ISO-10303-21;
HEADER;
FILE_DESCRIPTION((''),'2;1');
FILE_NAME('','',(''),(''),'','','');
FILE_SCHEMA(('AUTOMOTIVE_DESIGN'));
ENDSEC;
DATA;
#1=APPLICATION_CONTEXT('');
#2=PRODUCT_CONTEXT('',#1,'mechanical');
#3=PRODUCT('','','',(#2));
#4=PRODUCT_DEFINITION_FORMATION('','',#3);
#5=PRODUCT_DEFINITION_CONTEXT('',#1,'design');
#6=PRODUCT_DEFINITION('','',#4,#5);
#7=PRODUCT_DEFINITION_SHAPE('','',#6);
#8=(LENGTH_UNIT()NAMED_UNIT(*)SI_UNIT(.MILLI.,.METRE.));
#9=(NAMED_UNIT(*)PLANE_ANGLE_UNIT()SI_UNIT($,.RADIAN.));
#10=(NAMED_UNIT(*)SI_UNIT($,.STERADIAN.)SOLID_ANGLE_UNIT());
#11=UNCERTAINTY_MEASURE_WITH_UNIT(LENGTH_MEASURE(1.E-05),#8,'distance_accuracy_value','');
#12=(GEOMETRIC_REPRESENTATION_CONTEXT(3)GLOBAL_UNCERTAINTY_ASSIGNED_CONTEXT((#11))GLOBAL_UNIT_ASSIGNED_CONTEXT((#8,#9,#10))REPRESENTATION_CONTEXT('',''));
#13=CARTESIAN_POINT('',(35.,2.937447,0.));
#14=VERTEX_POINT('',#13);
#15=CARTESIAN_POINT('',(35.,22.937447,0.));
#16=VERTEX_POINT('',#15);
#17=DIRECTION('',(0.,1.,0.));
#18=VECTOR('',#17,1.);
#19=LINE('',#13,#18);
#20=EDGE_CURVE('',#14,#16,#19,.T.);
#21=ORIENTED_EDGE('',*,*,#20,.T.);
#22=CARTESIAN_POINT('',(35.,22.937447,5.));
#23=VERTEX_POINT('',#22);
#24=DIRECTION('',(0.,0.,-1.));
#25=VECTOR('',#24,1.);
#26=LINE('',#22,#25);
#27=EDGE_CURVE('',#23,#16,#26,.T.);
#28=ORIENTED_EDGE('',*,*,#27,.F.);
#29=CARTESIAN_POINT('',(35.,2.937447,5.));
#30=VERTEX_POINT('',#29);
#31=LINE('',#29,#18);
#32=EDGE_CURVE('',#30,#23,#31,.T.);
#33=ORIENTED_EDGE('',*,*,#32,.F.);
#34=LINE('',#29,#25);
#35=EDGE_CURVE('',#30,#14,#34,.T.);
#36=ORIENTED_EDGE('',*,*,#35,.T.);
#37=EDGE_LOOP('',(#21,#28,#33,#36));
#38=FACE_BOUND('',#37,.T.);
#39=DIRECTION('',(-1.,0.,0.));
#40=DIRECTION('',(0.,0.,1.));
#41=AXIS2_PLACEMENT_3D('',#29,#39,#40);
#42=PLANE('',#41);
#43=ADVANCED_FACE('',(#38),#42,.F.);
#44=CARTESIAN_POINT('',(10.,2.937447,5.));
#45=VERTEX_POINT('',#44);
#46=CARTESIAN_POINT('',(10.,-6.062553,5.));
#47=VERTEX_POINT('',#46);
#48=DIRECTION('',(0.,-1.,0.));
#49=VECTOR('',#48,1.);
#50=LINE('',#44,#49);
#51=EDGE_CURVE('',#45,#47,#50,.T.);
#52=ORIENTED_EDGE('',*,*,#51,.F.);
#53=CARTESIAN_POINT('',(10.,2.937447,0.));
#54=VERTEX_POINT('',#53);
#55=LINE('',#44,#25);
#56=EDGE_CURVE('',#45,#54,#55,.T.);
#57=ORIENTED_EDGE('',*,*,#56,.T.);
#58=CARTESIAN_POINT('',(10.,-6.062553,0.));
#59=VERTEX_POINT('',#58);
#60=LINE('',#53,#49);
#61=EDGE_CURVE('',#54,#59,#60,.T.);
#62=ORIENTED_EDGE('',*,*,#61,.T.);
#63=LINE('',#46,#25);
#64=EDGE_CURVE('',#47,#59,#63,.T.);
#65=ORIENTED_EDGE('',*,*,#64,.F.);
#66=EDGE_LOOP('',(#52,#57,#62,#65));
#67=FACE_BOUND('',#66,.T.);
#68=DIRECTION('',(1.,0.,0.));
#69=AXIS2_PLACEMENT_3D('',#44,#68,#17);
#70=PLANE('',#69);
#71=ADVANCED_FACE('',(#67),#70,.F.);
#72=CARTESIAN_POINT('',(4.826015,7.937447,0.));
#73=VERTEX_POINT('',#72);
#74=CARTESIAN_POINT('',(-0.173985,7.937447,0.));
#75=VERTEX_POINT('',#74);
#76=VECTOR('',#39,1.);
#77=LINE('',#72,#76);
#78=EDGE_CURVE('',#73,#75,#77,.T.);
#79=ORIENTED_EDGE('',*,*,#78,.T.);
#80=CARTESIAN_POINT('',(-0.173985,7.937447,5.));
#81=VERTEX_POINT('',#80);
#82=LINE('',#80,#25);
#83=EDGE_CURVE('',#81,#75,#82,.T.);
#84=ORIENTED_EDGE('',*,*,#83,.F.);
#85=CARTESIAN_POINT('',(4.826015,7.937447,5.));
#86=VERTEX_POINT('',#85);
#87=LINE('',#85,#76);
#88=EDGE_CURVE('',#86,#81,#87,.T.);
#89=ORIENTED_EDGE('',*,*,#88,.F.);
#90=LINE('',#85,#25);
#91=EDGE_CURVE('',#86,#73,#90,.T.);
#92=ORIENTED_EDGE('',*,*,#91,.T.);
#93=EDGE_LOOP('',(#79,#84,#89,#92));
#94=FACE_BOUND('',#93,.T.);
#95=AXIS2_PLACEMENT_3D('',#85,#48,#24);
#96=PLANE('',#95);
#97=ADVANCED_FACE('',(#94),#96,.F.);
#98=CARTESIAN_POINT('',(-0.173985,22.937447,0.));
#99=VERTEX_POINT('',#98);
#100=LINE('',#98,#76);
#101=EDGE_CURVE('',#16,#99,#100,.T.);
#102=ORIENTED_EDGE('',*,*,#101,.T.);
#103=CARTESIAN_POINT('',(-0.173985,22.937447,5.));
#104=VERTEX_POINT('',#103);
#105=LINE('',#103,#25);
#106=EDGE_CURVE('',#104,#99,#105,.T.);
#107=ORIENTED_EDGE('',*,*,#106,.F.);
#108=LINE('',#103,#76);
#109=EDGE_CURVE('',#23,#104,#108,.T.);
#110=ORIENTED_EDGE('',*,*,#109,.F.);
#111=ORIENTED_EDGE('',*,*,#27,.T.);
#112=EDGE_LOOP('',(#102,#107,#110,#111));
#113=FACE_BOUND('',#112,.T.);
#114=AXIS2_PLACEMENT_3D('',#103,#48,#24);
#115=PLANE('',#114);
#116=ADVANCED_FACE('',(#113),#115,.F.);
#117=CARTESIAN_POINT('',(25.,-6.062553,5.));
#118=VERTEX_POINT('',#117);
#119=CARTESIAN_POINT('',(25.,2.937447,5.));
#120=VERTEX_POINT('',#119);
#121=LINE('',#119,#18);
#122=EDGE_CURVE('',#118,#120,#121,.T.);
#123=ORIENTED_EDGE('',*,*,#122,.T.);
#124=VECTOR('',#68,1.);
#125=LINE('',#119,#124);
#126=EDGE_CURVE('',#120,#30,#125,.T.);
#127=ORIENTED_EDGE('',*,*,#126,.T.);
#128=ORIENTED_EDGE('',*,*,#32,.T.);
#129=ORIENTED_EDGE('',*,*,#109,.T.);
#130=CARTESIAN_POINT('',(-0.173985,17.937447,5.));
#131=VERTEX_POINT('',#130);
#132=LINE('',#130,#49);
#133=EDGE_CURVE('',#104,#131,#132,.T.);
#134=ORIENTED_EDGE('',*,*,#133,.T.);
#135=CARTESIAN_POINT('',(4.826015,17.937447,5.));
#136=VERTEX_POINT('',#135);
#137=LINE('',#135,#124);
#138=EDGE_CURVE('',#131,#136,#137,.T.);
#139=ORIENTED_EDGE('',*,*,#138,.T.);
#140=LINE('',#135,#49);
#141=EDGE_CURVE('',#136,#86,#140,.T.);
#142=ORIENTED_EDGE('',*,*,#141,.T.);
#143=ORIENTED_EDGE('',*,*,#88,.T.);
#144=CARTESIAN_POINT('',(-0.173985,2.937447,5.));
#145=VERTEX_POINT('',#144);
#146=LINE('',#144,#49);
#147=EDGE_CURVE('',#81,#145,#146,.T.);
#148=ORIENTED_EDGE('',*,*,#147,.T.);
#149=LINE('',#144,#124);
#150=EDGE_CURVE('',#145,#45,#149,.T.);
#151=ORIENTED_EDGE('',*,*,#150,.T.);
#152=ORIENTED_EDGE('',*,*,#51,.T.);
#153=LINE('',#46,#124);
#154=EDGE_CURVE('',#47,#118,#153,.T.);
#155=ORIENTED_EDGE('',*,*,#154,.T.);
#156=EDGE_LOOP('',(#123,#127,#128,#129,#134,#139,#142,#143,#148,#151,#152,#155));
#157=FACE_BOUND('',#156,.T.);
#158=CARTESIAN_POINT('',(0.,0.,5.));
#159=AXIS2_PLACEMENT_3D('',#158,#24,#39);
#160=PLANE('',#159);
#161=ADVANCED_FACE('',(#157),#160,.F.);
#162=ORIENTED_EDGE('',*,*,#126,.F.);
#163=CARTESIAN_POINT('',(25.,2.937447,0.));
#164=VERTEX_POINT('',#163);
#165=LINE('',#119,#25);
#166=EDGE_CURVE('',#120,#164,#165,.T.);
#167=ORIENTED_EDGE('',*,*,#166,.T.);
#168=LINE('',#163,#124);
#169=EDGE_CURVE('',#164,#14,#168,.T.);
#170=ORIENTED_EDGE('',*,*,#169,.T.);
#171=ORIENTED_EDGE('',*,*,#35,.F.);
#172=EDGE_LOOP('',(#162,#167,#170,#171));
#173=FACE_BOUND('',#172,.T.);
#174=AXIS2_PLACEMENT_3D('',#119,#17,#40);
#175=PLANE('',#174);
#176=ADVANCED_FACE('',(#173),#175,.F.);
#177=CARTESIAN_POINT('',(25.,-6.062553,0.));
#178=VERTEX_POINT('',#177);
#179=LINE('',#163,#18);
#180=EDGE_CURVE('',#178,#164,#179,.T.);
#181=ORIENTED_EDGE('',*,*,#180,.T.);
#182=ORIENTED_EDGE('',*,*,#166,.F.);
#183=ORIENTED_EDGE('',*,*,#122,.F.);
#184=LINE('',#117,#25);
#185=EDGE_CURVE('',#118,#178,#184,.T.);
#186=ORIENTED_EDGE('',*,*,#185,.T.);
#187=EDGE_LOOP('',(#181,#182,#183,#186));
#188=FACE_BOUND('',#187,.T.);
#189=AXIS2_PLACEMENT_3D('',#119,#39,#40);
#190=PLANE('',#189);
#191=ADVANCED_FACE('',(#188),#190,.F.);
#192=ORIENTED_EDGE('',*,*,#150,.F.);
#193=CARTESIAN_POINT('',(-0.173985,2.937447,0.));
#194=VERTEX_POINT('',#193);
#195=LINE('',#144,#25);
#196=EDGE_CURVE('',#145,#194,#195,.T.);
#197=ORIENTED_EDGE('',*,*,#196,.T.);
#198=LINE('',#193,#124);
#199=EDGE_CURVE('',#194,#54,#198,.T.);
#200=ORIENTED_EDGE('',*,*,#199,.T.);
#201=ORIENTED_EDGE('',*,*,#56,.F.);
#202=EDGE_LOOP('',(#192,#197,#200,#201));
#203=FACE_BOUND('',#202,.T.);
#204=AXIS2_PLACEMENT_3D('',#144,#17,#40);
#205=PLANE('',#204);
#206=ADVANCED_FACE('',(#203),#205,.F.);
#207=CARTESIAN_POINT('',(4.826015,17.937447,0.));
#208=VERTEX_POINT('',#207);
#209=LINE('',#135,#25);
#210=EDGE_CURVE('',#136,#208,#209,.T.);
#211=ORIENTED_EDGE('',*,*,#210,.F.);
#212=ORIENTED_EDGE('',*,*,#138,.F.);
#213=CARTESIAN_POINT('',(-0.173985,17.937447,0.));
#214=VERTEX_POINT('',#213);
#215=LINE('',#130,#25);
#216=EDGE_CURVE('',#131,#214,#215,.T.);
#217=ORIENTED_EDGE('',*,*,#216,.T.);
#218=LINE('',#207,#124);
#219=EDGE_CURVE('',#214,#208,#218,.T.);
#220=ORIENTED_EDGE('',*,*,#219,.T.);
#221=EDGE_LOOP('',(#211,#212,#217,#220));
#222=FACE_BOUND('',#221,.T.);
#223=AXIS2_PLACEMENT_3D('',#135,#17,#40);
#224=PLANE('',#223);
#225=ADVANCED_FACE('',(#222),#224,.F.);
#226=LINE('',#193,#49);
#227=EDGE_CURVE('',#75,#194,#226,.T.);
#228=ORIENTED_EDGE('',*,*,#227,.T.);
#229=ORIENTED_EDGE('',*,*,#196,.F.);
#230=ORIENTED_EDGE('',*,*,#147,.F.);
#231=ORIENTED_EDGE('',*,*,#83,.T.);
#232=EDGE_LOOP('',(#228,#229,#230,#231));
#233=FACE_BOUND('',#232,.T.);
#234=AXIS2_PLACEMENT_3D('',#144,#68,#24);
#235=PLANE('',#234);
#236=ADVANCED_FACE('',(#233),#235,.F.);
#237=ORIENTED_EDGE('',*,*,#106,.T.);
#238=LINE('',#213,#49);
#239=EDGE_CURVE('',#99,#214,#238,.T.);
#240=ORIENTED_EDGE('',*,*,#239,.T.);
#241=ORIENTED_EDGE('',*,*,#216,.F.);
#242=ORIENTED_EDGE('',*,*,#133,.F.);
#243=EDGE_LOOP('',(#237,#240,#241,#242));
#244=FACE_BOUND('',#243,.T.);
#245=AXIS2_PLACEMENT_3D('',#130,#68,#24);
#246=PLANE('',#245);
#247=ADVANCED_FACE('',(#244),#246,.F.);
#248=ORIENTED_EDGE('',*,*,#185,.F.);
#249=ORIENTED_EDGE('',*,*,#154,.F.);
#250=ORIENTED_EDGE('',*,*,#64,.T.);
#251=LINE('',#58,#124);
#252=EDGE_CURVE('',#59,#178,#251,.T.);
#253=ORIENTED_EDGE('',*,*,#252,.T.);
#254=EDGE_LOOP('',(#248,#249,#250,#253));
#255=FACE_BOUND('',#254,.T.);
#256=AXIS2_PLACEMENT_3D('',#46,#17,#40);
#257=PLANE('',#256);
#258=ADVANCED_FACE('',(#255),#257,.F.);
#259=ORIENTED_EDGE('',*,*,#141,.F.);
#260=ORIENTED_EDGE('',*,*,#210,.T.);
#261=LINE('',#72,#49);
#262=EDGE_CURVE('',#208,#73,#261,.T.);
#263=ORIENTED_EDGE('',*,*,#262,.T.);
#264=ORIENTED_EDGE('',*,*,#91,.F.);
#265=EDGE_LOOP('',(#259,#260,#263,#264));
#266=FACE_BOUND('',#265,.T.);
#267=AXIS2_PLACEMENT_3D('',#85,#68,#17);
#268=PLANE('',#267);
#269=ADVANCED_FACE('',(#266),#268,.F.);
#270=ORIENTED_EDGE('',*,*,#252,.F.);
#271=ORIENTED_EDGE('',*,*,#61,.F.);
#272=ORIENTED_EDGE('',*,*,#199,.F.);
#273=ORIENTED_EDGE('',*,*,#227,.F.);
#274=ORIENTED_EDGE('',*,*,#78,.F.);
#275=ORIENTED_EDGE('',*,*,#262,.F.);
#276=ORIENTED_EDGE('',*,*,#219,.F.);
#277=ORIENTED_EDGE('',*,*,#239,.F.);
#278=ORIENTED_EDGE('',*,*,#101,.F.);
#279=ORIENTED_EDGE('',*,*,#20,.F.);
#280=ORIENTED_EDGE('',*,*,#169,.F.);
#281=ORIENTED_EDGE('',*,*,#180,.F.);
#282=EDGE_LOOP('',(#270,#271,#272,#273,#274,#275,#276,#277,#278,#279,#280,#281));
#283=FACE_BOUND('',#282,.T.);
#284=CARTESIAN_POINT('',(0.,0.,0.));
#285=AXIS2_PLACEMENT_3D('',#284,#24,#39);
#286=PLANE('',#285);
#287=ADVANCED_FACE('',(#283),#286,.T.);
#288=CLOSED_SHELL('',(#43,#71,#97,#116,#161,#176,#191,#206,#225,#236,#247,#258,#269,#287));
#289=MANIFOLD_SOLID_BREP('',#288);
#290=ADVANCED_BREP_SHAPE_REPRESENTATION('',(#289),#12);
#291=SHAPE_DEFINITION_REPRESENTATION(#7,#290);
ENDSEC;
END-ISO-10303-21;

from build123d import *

# Parameters (mm, degrees)
BOSS_EXTRUDE1_DEPTH = 5


with BuildPart() as part:
    # Sketch1 → Boss-Extrude1 (new body)
    with BuildSketch(Plane.XY):
        Polygon((10, -6.062552828), (25, -6.062552828), (25, 2.937447172), (35, 2.937447172), (35, 22.937447172), (-0.173985327, 22.937447172), (-0.173985327, 17.937447172), (4.826014673, 17.937447172), (4.826014673, 17.437447172), (4.826014673, 7.937447172), (-0.173985327, 7.937447172), (-0.173985327, 2.937447172), (10, 2.937447172), align=None)
    extrude(amount=BOSS_EXTRUDE1_DEPTH)


solid = part.part
